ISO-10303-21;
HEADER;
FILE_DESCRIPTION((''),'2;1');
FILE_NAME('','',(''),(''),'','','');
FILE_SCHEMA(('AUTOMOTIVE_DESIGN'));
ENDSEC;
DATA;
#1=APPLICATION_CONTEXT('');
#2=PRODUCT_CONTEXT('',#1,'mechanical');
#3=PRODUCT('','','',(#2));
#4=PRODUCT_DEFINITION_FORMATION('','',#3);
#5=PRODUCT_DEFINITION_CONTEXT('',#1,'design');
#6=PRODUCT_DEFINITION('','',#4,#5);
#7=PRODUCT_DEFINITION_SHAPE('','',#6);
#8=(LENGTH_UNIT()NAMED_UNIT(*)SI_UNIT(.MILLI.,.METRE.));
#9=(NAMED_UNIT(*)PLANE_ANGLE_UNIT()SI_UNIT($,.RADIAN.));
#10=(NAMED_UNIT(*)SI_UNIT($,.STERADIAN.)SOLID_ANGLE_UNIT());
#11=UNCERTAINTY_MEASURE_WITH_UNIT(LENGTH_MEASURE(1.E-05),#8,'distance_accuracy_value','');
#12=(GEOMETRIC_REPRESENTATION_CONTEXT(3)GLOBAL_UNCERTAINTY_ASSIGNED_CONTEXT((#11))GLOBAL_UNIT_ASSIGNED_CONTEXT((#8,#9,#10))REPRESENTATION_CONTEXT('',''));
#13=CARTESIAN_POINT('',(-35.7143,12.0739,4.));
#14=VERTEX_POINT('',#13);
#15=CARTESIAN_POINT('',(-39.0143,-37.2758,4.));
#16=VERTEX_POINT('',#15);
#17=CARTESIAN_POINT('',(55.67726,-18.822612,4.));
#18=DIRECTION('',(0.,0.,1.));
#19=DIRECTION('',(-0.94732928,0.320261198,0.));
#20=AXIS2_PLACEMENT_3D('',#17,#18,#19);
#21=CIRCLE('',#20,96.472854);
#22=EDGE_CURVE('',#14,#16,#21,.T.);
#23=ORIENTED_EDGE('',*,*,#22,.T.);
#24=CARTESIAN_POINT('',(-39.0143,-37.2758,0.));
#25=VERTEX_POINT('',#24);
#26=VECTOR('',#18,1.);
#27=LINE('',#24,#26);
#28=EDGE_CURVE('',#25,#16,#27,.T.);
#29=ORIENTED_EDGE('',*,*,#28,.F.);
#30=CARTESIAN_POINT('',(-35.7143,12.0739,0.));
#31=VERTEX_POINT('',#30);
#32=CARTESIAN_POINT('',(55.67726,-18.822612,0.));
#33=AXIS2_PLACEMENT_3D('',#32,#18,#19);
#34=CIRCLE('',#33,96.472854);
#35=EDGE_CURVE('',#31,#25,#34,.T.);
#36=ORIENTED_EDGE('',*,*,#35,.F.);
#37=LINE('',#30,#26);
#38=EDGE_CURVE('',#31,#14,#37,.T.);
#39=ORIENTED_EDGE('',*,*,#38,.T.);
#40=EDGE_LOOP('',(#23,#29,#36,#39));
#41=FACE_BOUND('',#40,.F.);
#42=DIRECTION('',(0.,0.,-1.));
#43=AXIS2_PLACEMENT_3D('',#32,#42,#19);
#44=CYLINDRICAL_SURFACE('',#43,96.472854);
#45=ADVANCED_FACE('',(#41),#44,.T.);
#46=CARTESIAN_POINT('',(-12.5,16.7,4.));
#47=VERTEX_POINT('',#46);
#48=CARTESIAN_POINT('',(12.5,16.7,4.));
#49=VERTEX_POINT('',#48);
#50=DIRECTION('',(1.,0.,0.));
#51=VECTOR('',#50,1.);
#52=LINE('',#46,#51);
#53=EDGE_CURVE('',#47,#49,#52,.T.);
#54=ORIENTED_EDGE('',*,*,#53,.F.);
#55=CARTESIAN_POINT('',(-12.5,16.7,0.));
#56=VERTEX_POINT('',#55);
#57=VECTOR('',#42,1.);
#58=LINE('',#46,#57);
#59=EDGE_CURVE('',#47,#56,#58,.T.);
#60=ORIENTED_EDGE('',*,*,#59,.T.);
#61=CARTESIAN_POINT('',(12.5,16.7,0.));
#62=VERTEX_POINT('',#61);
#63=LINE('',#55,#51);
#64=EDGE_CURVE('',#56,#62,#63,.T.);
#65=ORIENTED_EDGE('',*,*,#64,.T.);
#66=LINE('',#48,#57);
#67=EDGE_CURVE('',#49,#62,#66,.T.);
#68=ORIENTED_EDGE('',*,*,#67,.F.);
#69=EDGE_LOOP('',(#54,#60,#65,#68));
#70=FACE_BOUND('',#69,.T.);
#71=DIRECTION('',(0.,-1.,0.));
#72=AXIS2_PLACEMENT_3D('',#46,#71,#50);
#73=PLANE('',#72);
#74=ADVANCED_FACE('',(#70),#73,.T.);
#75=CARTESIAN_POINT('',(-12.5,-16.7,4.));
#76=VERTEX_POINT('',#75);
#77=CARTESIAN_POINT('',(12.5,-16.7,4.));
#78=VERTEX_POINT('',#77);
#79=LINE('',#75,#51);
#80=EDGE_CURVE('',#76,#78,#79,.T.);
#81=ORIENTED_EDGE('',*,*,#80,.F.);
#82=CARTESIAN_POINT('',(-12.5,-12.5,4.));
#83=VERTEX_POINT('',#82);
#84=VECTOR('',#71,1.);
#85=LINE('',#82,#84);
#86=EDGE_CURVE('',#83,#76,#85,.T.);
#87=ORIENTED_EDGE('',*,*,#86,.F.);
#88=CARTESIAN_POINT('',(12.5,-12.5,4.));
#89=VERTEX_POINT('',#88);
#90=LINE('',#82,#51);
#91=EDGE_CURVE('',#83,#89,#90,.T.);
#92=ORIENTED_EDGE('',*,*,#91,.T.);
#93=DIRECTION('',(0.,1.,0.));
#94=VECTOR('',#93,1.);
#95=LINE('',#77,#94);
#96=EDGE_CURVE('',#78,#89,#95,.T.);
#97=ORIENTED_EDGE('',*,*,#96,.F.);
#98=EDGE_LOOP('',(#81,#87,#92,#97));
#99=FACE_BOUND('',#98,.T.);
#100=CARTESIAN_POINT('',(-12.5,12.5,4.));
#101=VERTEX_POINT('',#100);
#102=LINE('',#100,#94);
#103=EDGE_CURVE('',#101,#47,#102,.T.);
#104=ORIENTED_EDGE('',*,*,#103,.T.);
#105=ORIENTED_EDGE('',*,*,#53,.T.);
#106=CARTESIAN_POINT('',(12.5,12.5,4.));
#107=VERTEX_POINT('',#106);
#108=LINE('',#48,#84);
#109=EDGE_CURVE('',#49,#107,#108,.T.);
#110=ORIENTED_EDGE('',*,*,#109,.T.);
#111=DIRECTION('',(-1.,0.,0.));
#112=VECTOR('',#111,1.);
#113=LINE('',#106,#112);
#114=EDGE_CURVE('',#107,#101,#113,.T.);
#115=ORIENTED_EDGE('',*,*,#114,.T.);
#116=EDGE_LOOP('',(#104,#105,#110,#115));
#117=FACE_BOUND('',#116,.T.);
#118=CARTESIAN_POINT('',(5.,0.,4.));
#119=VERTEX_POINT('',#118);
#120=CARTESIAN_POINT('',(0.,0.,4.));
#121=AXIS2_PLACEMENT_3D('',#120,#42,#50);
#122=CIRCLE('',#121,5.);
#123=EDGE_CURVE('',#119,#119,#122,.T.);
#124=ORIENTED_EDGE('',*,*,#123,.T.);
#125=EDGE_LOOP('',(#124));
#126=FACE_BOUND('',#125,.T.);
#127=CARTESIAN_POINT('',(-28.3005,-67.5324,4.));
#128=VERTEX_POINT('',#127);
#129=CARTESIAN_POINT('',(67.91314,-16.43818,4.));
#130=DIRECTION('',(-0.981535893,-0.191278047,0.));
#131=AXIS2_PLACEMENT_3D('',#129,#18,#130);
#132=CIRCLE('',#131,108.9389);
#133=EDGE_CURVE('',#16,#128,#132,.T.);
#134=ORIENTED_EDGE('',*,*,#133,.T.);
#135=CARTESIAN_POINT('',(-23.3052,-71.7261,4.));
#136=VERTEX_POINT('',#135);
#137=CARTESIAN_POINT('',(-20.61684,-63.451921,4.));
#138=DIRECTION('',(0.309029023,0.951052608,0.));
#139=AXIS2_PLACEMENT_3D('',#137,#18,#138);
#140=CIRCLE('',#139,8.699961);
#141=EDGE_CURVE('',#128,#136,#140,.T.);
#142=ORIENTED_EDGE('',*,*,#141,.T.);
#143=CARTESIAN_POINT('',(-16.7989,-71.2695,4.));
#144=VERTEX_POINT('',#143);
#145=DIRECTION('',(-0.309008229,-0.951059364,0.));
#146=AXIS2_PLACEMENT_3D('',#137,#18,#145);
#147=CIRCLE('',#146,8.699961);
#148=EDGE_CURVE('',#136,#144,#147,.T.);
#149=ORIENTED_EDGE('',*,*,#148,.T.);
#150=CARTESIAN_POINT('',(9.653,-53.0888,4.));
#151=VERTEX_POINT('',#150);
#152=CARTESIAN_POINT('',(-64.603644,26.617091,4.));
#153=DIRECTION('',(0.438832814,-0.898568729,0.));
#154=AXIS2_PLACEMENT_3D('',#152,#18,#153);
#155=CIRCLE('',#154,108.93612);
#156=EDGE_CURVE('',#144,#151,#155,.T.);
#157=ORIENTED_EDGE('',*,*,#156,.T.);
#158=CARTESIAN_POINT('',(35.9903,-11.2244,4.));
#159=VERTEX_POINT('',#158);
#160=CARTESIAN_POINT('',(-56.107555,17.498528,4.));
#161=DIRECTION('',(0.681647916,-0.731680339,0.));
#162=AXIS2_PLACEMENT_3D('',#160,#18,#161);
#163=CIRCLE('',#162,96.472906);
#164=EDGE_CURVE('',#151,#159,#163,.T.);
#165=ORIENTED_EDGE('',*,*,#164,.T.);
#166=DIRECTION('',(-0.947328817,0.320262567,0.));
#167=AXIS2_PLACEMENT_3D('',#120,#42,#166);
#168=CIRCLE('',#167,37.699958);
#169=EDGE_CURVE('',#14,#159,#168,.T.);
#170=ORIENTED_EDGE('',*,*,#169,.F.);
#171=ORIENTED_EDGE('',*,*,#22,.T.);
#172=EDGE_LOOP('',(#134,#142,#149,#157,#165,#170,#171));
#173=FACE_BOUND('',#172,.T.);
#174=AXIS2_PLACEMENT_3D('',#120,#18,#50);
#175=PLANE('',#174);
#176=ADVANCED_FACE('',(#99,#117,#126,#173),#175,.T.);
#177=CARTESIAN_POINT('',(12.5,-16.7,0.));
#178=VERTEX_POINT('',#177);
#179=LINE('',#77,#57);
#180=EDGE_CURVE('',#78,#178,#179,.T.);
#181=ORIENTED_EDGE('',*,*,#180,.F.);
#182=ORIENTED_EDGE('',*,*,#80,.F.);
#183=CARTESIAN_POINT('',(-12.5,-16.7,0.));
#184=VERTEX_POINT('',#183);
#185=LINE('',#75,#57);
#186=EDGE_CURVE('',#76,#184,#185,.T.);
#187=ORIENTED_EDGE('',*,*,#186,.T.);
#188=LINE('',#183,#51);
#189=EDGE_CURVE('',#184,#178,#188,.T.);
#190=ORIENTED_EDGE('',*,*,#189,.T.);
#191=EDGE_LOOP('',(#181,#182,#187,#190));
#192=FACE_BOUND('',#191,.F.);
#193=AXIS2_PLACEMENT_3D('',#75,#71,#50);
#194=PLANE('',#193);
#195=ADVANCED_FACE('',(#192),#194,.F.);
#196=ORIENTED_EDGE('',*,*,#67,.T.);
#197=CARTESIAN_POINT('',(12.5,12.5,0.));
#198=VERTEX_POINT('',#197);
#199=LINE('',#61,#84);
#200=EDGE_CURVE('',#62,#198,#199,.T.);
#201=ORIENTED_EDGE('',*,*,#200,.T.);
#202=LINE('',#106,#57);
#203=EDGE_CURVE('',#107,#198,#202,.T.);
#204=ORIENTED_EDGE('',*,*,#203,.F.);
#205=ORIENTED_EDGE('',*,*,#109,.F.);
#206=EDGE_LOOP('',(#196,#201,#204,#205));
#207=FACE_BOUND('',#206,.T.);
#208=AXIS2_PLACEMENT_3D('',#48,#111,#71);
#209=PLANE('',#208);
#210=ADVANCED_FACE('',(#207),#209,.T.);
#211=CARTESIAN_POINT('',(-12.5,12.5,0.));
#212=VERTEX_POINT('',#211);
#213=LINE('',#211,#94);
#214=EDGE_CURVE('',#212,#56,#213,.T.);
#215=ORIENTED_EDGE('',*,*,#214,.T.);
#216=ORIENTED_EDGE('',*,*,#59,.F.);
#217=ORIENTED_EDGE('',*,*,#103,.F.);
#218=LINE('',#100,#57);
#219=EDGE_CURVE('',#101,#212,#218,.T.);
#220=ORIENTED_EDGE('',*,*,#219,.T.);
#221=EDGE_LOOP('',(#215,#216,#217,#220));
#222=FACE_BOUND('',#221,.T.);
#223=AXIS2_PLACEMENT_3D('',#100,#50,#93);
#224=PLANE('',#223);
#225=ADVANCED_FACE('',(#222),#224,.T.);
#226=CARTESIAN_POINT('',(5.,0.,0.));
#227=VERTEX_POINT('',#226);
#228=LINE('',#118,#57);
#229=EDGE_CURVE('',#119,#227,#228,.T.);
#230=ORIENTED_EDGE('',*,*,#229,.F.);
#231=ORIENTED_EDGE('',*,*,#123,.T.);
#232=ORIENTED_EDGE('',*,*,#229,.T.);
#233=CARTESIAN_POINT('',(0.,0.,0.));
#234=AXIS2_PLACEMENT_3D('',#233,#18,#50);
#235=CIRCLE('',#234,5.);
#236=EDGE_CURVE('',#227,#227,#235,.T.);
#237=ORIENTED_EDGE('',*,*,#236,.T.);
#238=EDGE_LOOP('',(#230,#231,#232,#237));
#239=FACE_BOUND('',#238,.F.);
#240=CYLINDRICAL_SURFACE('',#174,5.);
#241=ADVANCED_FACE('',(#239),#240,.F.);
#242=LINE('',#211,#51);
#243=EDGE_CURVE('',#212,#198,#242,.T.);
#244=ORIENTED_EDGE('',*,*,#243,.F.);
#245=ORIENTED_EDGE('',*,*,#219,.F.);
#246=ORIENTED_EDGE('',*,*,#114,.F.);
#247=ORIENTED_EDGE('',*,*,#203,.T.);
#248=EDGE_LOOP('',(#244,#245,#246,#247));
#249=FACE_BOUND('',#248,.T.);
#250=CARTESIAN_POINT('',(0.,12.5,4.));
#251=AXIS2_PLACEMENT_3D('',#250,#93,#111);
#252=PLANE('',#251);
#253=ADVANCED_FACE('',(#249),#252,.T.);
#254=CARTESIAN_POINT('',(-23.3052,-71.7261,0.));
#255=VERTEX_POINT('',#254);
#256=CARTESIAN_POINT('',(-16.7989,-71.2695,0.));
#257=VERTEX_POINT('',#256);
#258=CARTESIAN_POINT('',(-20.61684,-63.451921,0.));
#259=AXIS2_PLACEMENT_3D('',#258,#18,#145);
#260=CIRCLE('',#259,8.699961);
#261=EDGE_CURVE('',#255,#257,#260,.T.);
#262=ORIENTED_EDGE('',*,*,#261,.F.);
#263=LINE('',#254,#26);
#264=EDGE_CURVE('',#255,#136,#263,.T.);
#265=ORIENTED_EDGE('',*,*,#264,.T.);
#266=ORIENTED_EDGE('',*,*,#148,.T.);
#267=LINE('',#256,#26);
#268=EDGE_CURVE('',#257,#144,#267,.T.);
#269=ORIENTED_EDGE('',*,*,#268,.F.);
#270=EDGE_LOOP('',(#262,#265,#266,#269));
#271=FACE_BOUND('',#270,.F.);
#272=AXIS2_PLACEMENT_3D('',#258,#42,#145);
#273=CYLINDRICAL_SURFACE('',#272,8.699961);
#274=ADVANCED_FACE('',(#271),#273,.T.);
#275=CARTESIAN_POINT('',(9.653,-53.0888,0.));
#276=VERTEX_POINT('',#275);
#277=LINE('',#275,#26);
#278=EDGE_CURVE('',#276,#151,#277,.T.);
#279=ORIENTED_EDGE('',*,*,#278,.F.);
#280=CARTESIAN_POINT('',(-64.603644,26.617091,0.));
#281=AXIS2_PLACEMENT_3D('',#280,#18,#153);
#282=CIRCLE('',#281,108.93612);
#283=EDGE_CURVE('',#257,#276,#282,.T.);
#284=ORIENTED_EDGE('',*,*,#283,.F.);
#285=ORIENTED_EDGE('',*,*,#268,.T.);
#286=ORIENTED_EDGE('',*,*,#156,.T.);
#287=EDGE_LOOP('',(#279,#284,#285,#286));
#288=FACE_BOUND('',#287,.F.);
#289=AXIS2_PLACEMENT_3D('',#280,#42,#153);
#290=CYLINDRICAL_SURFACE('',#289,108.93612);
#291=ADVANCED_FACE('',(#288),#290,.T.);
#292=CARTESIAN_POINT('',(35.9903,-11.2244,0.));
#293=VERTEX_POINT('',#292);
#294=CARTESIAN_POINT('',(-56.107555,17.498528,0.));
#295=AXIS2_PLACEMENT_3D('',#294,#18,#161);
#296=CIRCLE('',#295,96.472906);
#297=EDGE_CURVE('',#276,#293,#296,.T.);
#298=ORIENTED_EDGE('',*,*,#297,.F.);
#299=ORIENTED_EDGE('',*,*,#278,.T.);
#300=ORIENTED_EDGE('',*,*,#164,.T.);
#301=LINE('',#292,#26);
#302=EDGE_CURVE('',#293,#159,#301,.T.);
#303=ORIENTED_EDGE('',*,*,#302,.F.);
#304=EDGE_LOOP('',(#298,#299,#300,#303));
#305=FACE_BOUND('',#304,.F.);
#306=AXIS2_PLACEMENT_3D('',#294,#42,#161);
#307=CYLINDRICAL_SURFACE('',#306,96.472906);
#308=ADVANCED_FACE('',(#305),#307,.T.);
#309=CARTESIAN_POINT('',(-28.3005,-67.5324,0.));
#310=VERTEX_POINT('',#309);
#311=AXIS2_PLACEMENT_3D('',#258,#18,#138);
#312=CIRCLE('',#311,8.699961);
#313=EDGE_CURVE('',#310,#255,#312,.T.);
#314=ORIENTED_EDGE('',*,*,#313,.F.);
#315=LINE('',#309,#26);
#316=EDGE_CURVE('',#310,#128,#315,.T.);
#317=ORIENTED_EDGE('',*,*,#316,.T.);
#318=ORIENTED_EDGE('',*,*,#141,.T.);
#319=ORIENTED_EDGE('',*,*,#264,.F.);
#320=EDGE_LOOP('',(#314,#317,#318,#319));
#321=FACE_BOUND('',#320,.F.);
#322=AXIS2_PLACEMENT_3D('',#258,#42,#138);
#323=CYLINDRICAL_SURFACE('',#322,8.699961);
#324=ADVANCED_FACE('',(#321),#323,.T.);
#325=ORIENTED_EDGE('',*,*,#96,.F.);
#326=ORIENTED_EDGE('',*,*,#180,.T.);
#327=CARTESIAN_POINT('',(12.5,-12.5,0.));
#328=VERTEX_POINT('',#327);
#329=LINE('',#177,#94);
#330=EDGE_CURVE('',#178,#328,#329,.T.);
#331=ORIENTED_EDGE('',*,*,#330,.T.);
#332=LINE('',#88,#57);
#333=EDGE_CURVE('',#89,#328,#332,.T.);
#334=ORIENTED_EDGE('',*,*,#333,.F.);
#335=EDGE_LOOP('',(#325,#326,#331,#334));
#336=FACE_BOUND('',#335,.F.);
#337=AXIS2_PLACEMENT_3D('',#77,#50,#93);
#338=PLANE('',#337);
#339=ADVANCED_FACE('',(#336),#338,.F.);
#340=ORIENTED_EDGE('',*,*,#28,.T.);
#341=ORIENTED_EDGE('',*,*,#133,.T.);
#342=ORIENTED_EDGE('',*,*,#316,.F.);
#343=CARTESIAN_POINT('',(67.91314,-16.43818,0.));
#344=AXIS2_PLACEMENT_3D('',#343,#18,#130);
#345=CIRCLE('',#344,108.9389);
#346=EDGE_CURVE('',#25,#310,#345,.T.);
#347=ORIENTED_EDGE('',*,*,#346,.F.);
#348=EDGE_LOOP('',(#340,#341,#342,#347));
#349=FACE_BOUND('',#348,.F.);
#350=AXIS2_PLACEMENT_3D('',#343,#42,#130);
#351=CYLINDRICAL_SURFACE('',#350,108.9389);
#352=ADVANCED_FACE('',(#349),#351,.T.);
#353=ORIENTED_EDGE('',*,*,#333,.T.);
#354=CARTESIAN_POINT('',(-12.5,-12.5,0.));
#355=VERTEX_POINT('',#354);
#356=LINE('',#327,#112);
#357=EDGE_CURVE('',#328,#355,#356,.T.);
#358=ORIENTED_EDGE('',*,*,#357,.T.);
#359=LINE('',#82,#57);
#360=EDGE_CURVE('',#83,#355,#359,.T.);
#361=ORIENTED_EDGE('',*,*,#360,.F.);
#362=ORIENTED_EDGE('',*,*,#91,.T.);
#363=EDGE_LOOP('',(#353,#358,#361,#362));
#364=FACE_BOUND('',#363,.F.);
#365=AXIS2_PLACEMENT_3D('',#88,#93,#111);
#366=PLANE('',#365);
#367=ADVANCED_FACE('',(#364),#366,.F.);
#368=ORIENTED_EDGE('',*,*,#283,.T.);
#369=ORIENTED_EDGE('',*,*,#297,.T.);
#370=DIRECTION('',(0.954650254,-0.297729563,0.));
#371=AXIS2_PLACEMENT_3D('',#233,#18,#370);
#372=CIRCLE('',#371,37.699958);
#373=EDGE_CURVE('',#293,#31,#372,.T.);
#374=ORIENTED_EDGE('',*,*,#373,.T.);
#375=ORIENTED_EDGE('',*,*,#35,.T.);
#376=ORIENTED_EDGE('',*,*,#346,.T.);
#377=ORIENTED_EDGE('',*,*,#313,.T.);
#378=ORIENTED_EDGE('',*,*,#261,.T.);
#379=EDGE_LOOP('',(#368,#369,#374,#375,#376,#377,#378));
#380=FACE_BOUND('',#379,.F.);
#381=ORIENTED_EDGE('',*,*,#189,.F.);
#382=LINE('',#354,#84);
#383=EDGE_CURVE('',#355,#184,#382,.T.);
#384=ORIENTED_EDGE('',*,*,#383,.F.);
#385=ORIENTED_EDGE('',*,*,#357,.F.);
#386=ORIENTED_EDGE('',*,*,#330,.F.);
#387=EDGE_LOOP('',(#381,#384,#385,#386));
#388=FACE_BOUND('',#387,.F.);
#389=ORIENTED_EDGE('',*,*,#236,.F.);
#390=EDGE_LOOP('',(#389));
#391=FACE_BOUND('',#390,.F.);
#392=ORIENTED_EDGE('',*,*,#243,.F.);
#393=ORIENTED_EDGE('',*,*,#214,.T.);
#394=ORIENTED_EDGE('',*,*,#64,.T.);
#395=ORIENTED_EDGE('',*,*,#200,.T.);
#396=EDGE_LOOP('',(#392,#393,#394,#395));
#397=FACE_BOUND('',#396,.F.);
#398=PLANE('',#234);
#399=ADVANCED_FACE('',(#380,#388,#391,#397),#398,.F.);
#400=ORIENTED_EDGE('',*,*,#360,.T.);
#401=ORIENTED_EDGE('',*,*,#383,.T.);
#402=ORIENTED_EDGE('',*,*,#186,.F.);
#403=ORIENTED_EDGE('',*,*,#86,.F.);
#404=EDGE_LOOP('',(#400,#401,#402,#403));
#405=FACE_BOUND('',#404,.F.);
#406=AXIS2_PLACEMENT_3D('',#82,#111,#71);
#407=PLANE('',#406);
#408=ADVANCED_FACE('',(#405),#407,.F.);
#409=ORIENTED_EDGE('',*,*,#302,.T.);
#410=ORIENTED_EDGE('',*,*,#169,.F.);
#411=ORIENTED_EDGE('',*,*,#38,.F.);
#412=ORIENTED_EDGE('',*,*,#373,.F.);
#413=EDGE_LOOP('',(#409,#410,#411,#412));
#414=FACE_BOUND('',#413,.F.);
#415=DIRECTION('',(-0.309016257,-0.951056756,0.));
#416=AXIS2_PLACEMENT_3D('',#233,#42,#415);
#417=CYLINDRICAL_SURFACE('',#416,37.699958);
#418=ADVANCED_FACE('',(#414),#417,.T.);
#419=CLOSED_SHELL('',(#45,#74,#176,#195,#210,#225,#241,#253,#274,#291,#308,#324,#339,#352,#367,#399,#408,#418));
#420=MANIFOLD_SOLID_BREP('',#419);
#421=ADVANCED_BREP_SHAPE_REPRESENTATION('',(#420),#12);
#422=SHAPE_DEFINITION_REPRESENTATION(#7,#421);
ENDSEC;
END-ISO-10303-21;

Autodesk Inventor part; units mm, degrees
ref_plane "YZ Plane" through (0, 0, 0) normal (1, 0, 0) x (0, 1, 0)
ref_plane "XZ Plane" through (0, 0, 0) normal (0, 1, 0) x (-1, 0, 0)
ref_plane "XY Plane" through (0, 0, 0) normal (0, 0, 1) x (1, 0, 0)
sketch "Boceto1" plane through (0, 0, 0) normal (0, 0, 1) x (1, 0, 0)
  arc A0 (11.6499, 35.8548) -> (-11.6499, -35.8548) centre (0, 0) ccw
  arc A1 (-17.9283, -55.1778) -> (-23.3052, -71.7261) centre (-20.6168, -63.452) ccw
  line L0 (-24.0836, -74.1217) -> (-32.3578, -71.4333)
  line L1 (-35.7143, 12.0739) -> (-49.5046, 16.5546)
  line L2 (-49.5046, 16.5546) -> (-32.3578, -71.4333)
  line L3 (-32.3578, -71.4333) -> (-39.0143, -37.2758)
  arc A2 (-35.7143, 12.0739) -> (-39.0143, -37.2758) centre (55.6772, -18.8226) ccw
  arc A3 (-39.0143, -37.2758) -> (-28.3005, -67.5324) centre (67.9138, -16.438) ccw
  line L4 (0.8961, 2.7581) -> (11.6499, 35.8548)
  line L5 (-0.8961, -2.7581) -> (-24.0836, -74.1217)
  arc A4 (-11.6499, -35.8548) -> (11.6499, 35.8548) centre (0, 0) ccw
  arc A5 (-23.3052, -71.7261) -> (-17.9283, -55.1778) centre (-20.6168, -63.452) ccw
  line L6 (-24.0836, -74.1217) -> (-15.8094, -76.8102)
  line L7 (35.9903, -11.2244) -> (49.7806, -15.7051)
  line L8 (49.7806, -15.7051) -> (-15.8094, -76.8102)
  line L9 (-15.8094, -76.8102) -> (9.653, -53.0888)
  arc A6 (9.653, -53.0888) -> (35.9903, -11.2244) centre (-56.1074, 17.4984) ccw
  arc A7 (-16.7989, -71.2695) -> (9.653, -53.0888) centre (-64.6054, 26.6201) ccw
  dimension "d0" = 75.4
  dimension "d6" = 17.4
  dimension "d7" = 8.7
  dimension "d8" = 14.5
  dimension "d9" = 34.8
extrude "Extrusión2" add sketch "Boceto1" along normal blind 4 contours A4 A0 | A0 L5 A1 A3 A2 | A6 A7 A5 L5 A4 | L5 A1 | A5 L5
sketch "Boceto2" plane through (0, 0, 4) normal (0, 0, 1) x (1, 0, 0)
  line L0 (0, 0) -> (0, 12.5)
  line L1 (0, 12.5) -> (-12.5, 12.5)
  line L2 (-12.5, 12.5) -> (-12.5, 16.7)
  line L3 (-12.5, 16.7) -> (12.5, 16.7)
  line L4 (12.5, 16.7) -> (12.5, 12.5)
  line L5 (12.5, 12.5) -> (0, 12.5)
  line L6 (0, 0) -> (12.5, 0)
  line L7 (0, 0) -> (0, -12.5)
  line L8 (0, -12.5) -> (-12.5, -12.5)
  line L9 (-12.5, -12.5) -> (-12.5, -16.7)
  line L10 (-12.5, -16.7) -> (12.5, -16.7)
  line L11 (12.5, -16.7) -> (12.5, -12.5)
  line L12 (12.5, -12.5) -> (0, -12.5)
  circle A0 centre (0, 0) radius 5
  dimension "d24" = 12.5
  dimension "d25" = 12.5
  dimension "d26" = 4.2
  dimension "d27" = 25
  dimension "d28" = 10
extrude "Extrusión3" cut sketch "Boceto2" against normal blind 4
properties part number "leva00" material "Madera (abedul)"
